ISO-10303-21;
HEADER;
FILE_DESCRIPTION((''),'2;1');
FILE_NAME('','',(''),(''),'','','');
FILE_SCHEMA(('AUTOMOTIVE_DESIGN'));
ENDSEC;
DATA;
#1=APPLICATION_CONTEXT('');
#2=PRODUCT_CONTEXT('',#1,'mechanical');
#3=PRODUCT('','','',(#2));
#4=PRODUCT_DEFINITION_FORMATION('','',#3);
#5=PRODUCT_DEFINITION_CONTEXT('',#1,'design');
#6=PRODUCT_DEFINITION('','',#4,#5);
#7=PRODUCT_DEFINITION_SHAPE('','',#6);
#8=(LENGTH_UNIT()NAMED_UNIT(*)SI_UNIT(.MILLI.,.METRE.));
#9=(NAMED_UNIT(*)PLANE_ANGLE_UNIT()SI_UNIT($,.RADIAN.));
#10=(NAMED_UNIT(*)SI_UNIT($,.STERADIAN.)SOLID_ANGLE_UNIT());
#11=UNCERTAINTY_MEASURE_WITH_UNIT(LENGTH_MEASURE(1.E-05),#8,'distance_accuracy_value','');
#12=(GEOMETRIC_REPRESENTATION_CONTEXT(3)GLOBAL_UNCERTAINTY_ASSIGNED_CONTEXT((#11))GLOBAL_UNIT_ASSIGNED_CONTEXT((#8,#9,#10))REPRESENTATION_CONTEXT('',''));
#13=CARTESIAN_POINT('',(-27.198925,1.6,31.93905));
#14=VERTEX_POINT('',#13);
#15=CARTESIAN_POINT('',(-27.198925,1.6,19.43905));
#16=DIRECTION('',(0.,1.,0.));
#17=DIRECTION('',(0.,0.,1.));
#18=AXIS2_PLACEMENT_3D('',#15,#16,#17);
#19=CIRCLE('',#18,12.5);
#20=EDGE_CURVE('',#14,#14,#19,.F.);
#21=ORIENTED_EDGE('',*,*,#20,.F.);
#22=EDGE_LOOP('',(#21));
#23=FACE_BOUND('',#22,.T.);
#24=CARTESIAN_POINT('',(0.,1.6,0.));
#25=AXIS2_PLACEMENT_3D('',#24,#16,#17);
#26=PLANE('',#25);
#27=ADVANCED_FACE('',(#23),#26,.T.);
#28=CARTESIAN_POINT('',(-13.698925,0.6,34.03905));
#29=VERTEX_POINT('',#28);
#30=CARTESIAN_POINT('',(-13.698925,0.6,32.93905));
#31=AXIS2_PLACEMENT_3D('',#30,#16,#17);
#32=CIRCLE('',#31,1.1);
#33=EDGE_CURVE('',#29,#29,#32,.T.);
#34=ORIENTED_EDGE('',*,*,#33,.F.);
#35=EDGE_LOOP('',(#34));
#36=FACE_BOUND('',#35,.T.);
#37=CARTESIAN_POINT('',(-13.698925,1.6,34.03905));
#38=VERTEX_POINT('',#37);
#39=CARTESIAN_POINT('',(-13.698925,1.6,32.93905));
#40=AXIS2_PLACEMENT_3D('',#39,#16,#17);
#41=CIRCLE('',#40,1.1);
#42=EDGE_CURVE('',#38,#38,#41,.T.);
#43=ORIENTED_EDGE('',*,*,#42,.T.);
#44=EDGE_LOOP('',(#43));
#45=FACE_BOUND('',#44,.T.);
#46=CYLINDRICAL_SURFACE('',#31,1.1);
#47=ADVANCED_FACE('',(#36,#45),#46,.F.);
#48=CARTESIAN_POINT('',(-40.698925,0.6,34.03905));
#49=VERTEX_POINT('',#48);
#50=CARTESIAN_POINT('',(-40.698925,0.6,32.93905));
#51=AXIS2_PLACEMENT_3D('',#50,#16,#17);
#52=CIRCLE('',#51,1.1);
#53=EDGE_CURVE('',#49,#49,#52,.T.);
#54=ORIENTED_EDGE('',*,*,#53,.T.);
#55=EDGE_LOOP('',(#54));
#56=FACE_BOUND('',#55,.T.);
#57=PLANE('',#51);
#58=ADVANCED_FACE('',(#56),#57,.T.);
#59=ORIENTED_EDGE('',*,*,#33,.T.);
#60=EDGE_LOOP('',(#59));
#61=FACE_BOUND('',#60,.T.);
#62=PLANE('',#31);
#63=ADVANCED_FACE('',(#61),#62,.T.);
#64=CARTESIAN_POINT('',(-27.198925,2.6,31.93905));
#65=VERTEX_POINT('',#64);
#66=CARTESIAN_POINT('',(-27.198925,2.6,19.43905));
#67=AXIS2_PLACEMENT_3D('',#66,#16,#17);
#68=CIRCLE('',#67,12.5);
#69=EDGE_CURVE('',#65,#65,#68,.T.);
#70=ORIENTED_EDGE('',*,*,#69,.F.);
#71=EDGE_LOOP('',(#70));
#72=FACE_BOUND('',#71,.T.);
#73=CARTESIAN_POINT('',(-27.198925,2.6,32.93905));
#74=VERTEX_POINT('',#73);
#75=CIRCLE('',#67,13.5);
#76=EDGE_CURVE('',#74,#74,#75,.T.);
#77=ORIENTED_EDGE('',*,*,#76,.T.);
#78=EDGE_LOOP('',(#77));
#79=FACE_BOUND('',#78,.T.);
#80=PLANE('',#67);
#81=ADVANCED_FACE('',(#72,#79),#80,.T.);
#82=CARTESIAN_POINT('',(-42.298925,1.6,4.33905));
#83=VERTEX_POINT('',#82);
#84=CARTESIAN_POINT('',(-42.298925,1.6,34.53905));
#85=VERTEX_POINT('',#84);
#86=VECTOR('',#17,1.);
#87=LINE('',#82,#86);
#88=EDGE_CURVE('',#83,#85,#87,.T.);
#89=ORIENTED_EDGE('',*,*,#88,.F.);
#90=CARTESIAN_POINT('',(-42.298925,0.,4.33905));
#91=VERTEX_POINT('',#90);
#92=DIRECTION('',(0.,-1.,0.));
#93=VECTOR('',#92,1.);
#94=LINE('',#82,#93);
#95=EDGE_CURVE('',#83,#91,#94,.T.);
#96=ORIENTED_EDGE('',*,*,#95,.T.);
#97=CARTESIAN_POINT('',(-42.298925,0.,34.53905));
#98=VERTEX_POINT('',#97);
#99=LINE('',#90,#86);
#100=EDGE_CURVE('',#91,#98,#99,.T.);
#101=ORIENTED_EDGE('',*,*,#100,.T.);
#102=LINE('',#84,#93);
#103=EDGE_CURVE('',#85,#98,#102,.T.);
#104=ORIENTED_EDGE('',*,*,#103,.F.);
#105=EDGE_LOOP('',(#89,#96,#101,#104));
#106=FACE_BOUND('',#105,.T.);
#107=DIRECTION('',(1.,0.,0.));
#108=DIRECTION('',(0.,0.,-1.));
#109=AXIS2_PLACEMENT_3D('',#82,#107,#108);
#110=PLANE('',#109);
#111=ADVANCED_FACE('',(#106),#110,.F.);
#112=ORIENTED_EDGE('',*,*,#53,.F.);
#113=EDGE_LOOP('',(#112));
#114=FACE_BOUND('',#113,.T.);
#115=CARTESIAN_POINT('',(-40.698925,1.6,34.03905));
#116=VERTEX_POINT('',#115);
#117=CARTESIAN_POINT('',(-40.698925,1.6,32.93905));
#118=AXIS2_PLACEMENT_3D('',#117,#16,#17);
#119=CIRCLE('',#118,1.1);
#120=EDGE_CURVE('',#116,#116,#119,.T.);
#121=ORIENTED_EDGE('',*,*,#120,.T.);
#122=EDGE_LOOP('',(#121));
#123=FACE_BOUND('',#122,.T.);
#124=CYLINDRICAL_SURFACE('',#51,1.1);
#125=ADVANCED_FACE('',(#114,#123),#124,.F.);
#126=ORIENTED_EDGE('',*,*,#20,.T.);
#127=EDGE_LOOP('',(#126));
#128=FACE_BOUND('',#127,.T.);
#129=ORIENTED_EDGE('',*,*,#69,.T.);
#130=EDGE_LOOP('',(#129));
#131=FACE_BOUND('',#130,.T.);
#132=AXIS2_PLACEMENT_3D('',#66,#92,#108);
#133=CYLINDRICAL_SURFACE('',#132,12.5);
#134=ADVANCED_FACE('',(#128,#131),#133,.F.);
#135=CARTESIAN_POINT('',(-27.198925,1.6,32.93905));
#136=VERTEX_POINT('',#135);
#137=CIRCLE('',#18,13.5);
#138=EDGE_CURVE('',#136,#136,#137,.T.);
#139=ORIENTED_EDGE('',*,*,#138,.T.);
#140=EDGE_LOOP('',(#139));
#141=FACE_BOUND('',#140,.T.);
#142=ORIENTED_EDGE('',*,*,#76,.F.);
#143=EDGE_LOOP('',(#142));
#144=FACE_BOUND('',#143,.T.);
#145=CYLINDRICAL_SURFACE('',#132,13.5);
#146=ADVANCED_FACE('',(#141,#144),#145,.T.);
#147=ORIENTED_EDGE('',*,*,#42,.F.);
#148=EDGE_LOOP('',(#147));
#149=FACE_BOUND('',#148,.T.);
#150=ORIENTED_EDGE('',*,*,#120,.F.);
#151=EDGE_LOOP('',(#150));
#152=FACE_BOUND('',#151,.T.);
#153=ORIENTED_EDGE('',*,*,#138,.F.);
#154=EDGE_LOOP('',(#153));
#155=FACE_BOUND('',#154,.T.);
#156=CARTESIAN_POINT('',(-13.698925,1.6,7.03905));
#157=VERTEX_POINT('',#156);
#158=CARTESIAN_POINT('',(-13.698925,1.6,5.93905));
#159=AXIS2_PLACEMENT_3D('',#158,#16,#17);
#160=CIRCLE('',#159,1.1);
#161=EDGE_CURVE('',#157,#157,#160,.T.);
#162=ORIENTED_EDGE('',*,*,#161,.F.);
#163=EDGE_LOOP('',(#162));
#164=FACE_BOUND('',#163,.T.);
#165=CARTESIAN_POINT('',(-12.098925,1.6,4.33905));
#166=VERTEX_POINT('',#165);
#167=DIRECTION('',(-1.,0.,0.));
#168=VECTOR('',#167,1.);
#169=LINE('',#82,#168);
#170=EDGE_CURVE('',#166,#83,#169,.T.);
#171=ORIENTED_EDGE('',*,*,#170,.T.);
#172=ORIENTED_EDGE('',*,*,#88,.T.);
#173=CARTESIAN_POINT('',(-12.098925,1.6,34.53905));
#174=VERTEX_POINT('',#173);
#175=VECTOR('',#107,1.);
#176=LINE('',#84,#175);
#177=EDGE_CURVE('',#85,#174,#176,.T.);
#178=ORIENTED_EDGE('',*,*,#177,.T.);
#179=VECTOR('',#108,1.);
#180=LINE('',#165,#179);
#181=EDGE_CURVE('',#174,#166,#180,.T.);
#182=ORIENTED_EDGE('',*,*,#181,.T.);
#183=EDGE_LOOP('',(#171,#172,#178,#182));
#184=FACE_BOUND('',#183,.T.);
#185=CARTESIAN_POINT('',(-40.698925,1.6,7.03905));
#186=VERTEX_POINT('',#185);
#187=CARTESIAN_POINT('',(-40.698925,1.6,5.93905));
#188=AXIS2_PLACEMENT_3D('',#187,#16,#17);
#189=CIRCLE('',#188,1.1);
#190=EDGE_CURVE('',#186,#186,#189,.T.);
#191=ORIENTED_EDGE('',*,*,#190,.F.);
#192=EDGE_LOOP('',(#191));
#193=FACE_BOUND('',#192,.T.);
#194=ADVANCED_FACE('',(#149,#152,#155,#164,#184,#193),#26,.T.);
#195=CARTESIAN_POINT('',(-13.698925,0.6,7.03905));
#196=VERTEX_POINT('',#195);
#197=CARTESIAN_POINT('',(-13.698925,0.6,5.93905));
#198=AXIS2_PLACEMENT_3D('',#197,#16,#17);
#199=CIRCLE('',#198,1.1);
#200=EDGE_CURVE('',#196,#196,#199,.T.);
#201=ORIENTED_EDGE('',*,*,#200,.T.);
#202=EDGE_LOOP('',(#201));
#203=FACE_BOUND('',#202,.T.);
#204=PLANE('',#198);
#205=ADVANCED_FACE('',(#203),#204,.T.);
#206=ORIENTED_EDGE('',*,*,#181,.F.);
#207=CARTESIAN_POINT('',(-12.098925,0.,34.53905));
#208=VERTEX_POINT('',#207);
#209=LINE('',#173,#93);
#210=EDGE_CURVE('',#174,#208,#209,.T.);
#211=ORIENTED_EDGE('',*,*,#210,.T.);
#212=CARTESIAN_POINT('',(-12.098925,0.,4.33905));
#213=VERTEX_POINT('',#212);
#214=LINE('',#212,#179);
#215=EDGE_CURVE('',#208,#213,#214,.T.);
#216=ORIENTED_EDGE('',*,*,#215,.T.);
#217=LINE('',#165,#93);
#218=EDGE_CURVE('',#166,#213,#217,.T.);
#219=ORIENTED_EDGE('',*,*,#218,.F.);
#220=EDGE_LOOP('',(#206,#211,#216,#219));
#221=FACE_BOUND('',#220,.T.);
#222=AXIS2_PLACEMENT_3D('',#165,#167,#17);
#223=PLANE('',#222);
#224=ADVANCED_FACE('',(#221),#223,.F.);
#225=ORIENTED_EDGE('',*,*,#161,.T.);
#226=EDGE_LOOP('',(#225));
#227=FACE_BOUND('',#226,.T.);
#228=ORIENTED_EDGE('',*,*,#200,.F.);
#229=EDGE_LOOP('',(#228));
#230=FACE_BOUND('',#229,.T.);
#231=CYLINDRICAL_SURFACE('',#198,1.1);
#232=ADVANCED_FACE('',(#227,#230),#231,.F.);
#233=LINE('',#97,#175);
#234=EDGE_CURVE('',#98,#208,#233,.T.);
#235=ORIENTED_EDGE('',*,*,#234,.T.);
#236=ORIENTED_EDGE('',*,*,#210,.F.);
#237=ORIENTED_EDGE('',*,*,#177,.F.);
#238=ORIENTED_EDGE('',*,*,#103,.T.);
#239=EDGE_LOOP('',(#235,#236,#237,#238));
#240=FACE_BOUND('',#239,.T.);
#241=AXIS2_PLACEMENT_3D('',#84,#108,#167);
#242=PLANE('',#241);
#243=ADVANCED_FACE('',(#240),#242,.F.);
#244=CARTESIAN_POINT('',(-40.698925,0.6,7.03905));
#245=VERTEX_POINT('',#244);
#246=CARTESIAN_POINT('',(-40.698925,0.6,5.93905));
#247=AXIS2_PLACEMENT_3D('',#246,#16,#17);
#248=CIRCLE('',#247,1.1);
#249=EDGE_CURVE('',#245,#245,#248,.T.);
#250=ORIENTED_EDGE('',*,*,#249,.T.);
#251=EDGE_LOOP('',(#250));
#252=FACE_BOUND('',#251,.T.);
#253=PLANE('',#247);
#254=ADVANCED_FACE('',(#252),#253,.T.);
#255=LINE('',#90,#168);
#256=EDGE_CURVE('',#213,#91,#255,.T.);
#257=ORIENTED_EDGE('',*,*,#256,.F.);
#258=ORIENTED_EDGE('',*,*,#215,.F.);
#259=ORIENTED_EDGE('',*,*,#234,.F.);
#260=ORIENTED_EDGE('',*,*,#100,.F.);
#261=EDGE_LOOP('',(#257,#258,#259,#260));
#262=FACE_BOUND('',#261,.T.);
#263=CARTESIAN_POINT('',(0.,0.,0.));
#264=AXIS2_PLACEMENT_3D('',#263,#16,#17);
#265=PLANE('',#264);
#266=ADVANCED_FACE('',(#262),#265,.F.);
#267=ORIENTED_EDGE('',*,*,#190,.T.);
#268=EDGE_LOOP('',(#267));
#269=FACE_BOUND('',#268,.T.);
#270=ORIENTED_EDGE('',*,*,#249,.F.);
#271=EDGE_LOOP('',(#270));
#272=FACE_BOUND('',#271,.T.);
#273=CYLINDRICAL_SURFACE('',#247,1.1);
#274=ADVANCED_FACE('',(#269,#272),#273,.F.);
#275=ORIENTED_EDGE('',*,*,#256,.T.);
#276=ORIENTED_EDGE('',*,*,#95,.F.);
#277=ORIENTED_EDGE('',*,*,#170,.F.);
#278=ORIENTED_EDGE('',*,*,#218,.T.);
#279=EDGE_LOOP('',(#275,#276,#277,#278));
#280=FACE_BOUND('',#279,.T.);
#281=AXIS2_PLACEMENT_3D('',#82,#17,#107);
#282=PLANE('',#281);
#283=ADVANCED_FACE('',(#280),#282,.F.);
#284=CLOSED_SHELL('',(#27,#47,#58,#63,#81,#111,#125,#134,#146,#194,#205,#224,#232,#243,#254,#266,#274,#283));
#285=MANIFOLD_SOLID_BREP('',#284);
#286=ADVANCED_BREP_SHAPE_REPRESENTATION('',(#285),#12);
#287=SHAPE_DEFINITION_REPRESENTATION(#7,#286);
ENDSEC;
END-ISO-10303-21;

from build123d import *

# Parameters (mm, degrees)
SKETCH1_W           = 30.2
SKETCH1_H           = 30.2
BOSS_EXTRUDE1_DEPTH = 1.6
SKETCH2_R           = 13.5
SKETCH2_R_2         = 12.5
BOSS_EXTRUDE2_DEPTH = 1
SKETCH3_R           = 1.1
CUT_EXTRUDE1_DEPTH  = 1


with BuildPart() as part:
    # Sketch1 → Boss-Extrude1 (new body)
    with BuildSketch(Plane(origin=(0, 0, 0), x_dir=(1, 0, 0), z_dir=(0, 1, 0))):
        with Locations((-27.198924567, -19.439049917)):
            Rectangle(SKETCH1_W, SKETCH1_H)
    extrude(amount=BOSS_EXTRUDE1_DEPTH)

    # Sketch2 → Boss-Extrude2 (add)
    with BuildSketch(Plane(origin=(0, 1.6, 0), x_dir=(1, 0, 0), z_dir=(0, 1, 0))):
        with Locations(Location((-27.198924567, -19.439049917, 0), (0, 0, 270))):
            Circle(SKETCH2_R)
        with Locations(Location((-27.198924567, -19.439049917, 0), (0, 0, 270))):
            Circle(SKETCH2_R_2, mode=Mode.SUBTRACT)
    extrude(amount=BOSS_EXTRUDE2_DEPTH)

    # Sketch3 → Cut-Extrude1 (cut)
    with BuildSketch(Plane(origin=(0, 1.6, 0), x_dir=(1, 0, 0), z_dir=(0, 1, 0))):
        with Locations(Location((-40.698924567, -32.939049917, 0), (0, 0, 270))):
            Circle(SKETCH3_R)
        with Locations(Location((-13.698924567, -32.939049917, 0), (0, 0, 270))):
            Circle(SKETCH3_R)
        with Locations(Location((-13.698924567, -5.939049917, 0), (0, 0, 270))):
            Circle(SKETCH3_R)
        with Locations(Location((-40.698924567, -5.939049917, 0), (0, 0, 270))):
            Circle(SKETCH3_R)
    extrude(amount=-CUT_EXTRUDE1_DEPTH, mode=Mode.SUBTRACT)


solid = part.part
